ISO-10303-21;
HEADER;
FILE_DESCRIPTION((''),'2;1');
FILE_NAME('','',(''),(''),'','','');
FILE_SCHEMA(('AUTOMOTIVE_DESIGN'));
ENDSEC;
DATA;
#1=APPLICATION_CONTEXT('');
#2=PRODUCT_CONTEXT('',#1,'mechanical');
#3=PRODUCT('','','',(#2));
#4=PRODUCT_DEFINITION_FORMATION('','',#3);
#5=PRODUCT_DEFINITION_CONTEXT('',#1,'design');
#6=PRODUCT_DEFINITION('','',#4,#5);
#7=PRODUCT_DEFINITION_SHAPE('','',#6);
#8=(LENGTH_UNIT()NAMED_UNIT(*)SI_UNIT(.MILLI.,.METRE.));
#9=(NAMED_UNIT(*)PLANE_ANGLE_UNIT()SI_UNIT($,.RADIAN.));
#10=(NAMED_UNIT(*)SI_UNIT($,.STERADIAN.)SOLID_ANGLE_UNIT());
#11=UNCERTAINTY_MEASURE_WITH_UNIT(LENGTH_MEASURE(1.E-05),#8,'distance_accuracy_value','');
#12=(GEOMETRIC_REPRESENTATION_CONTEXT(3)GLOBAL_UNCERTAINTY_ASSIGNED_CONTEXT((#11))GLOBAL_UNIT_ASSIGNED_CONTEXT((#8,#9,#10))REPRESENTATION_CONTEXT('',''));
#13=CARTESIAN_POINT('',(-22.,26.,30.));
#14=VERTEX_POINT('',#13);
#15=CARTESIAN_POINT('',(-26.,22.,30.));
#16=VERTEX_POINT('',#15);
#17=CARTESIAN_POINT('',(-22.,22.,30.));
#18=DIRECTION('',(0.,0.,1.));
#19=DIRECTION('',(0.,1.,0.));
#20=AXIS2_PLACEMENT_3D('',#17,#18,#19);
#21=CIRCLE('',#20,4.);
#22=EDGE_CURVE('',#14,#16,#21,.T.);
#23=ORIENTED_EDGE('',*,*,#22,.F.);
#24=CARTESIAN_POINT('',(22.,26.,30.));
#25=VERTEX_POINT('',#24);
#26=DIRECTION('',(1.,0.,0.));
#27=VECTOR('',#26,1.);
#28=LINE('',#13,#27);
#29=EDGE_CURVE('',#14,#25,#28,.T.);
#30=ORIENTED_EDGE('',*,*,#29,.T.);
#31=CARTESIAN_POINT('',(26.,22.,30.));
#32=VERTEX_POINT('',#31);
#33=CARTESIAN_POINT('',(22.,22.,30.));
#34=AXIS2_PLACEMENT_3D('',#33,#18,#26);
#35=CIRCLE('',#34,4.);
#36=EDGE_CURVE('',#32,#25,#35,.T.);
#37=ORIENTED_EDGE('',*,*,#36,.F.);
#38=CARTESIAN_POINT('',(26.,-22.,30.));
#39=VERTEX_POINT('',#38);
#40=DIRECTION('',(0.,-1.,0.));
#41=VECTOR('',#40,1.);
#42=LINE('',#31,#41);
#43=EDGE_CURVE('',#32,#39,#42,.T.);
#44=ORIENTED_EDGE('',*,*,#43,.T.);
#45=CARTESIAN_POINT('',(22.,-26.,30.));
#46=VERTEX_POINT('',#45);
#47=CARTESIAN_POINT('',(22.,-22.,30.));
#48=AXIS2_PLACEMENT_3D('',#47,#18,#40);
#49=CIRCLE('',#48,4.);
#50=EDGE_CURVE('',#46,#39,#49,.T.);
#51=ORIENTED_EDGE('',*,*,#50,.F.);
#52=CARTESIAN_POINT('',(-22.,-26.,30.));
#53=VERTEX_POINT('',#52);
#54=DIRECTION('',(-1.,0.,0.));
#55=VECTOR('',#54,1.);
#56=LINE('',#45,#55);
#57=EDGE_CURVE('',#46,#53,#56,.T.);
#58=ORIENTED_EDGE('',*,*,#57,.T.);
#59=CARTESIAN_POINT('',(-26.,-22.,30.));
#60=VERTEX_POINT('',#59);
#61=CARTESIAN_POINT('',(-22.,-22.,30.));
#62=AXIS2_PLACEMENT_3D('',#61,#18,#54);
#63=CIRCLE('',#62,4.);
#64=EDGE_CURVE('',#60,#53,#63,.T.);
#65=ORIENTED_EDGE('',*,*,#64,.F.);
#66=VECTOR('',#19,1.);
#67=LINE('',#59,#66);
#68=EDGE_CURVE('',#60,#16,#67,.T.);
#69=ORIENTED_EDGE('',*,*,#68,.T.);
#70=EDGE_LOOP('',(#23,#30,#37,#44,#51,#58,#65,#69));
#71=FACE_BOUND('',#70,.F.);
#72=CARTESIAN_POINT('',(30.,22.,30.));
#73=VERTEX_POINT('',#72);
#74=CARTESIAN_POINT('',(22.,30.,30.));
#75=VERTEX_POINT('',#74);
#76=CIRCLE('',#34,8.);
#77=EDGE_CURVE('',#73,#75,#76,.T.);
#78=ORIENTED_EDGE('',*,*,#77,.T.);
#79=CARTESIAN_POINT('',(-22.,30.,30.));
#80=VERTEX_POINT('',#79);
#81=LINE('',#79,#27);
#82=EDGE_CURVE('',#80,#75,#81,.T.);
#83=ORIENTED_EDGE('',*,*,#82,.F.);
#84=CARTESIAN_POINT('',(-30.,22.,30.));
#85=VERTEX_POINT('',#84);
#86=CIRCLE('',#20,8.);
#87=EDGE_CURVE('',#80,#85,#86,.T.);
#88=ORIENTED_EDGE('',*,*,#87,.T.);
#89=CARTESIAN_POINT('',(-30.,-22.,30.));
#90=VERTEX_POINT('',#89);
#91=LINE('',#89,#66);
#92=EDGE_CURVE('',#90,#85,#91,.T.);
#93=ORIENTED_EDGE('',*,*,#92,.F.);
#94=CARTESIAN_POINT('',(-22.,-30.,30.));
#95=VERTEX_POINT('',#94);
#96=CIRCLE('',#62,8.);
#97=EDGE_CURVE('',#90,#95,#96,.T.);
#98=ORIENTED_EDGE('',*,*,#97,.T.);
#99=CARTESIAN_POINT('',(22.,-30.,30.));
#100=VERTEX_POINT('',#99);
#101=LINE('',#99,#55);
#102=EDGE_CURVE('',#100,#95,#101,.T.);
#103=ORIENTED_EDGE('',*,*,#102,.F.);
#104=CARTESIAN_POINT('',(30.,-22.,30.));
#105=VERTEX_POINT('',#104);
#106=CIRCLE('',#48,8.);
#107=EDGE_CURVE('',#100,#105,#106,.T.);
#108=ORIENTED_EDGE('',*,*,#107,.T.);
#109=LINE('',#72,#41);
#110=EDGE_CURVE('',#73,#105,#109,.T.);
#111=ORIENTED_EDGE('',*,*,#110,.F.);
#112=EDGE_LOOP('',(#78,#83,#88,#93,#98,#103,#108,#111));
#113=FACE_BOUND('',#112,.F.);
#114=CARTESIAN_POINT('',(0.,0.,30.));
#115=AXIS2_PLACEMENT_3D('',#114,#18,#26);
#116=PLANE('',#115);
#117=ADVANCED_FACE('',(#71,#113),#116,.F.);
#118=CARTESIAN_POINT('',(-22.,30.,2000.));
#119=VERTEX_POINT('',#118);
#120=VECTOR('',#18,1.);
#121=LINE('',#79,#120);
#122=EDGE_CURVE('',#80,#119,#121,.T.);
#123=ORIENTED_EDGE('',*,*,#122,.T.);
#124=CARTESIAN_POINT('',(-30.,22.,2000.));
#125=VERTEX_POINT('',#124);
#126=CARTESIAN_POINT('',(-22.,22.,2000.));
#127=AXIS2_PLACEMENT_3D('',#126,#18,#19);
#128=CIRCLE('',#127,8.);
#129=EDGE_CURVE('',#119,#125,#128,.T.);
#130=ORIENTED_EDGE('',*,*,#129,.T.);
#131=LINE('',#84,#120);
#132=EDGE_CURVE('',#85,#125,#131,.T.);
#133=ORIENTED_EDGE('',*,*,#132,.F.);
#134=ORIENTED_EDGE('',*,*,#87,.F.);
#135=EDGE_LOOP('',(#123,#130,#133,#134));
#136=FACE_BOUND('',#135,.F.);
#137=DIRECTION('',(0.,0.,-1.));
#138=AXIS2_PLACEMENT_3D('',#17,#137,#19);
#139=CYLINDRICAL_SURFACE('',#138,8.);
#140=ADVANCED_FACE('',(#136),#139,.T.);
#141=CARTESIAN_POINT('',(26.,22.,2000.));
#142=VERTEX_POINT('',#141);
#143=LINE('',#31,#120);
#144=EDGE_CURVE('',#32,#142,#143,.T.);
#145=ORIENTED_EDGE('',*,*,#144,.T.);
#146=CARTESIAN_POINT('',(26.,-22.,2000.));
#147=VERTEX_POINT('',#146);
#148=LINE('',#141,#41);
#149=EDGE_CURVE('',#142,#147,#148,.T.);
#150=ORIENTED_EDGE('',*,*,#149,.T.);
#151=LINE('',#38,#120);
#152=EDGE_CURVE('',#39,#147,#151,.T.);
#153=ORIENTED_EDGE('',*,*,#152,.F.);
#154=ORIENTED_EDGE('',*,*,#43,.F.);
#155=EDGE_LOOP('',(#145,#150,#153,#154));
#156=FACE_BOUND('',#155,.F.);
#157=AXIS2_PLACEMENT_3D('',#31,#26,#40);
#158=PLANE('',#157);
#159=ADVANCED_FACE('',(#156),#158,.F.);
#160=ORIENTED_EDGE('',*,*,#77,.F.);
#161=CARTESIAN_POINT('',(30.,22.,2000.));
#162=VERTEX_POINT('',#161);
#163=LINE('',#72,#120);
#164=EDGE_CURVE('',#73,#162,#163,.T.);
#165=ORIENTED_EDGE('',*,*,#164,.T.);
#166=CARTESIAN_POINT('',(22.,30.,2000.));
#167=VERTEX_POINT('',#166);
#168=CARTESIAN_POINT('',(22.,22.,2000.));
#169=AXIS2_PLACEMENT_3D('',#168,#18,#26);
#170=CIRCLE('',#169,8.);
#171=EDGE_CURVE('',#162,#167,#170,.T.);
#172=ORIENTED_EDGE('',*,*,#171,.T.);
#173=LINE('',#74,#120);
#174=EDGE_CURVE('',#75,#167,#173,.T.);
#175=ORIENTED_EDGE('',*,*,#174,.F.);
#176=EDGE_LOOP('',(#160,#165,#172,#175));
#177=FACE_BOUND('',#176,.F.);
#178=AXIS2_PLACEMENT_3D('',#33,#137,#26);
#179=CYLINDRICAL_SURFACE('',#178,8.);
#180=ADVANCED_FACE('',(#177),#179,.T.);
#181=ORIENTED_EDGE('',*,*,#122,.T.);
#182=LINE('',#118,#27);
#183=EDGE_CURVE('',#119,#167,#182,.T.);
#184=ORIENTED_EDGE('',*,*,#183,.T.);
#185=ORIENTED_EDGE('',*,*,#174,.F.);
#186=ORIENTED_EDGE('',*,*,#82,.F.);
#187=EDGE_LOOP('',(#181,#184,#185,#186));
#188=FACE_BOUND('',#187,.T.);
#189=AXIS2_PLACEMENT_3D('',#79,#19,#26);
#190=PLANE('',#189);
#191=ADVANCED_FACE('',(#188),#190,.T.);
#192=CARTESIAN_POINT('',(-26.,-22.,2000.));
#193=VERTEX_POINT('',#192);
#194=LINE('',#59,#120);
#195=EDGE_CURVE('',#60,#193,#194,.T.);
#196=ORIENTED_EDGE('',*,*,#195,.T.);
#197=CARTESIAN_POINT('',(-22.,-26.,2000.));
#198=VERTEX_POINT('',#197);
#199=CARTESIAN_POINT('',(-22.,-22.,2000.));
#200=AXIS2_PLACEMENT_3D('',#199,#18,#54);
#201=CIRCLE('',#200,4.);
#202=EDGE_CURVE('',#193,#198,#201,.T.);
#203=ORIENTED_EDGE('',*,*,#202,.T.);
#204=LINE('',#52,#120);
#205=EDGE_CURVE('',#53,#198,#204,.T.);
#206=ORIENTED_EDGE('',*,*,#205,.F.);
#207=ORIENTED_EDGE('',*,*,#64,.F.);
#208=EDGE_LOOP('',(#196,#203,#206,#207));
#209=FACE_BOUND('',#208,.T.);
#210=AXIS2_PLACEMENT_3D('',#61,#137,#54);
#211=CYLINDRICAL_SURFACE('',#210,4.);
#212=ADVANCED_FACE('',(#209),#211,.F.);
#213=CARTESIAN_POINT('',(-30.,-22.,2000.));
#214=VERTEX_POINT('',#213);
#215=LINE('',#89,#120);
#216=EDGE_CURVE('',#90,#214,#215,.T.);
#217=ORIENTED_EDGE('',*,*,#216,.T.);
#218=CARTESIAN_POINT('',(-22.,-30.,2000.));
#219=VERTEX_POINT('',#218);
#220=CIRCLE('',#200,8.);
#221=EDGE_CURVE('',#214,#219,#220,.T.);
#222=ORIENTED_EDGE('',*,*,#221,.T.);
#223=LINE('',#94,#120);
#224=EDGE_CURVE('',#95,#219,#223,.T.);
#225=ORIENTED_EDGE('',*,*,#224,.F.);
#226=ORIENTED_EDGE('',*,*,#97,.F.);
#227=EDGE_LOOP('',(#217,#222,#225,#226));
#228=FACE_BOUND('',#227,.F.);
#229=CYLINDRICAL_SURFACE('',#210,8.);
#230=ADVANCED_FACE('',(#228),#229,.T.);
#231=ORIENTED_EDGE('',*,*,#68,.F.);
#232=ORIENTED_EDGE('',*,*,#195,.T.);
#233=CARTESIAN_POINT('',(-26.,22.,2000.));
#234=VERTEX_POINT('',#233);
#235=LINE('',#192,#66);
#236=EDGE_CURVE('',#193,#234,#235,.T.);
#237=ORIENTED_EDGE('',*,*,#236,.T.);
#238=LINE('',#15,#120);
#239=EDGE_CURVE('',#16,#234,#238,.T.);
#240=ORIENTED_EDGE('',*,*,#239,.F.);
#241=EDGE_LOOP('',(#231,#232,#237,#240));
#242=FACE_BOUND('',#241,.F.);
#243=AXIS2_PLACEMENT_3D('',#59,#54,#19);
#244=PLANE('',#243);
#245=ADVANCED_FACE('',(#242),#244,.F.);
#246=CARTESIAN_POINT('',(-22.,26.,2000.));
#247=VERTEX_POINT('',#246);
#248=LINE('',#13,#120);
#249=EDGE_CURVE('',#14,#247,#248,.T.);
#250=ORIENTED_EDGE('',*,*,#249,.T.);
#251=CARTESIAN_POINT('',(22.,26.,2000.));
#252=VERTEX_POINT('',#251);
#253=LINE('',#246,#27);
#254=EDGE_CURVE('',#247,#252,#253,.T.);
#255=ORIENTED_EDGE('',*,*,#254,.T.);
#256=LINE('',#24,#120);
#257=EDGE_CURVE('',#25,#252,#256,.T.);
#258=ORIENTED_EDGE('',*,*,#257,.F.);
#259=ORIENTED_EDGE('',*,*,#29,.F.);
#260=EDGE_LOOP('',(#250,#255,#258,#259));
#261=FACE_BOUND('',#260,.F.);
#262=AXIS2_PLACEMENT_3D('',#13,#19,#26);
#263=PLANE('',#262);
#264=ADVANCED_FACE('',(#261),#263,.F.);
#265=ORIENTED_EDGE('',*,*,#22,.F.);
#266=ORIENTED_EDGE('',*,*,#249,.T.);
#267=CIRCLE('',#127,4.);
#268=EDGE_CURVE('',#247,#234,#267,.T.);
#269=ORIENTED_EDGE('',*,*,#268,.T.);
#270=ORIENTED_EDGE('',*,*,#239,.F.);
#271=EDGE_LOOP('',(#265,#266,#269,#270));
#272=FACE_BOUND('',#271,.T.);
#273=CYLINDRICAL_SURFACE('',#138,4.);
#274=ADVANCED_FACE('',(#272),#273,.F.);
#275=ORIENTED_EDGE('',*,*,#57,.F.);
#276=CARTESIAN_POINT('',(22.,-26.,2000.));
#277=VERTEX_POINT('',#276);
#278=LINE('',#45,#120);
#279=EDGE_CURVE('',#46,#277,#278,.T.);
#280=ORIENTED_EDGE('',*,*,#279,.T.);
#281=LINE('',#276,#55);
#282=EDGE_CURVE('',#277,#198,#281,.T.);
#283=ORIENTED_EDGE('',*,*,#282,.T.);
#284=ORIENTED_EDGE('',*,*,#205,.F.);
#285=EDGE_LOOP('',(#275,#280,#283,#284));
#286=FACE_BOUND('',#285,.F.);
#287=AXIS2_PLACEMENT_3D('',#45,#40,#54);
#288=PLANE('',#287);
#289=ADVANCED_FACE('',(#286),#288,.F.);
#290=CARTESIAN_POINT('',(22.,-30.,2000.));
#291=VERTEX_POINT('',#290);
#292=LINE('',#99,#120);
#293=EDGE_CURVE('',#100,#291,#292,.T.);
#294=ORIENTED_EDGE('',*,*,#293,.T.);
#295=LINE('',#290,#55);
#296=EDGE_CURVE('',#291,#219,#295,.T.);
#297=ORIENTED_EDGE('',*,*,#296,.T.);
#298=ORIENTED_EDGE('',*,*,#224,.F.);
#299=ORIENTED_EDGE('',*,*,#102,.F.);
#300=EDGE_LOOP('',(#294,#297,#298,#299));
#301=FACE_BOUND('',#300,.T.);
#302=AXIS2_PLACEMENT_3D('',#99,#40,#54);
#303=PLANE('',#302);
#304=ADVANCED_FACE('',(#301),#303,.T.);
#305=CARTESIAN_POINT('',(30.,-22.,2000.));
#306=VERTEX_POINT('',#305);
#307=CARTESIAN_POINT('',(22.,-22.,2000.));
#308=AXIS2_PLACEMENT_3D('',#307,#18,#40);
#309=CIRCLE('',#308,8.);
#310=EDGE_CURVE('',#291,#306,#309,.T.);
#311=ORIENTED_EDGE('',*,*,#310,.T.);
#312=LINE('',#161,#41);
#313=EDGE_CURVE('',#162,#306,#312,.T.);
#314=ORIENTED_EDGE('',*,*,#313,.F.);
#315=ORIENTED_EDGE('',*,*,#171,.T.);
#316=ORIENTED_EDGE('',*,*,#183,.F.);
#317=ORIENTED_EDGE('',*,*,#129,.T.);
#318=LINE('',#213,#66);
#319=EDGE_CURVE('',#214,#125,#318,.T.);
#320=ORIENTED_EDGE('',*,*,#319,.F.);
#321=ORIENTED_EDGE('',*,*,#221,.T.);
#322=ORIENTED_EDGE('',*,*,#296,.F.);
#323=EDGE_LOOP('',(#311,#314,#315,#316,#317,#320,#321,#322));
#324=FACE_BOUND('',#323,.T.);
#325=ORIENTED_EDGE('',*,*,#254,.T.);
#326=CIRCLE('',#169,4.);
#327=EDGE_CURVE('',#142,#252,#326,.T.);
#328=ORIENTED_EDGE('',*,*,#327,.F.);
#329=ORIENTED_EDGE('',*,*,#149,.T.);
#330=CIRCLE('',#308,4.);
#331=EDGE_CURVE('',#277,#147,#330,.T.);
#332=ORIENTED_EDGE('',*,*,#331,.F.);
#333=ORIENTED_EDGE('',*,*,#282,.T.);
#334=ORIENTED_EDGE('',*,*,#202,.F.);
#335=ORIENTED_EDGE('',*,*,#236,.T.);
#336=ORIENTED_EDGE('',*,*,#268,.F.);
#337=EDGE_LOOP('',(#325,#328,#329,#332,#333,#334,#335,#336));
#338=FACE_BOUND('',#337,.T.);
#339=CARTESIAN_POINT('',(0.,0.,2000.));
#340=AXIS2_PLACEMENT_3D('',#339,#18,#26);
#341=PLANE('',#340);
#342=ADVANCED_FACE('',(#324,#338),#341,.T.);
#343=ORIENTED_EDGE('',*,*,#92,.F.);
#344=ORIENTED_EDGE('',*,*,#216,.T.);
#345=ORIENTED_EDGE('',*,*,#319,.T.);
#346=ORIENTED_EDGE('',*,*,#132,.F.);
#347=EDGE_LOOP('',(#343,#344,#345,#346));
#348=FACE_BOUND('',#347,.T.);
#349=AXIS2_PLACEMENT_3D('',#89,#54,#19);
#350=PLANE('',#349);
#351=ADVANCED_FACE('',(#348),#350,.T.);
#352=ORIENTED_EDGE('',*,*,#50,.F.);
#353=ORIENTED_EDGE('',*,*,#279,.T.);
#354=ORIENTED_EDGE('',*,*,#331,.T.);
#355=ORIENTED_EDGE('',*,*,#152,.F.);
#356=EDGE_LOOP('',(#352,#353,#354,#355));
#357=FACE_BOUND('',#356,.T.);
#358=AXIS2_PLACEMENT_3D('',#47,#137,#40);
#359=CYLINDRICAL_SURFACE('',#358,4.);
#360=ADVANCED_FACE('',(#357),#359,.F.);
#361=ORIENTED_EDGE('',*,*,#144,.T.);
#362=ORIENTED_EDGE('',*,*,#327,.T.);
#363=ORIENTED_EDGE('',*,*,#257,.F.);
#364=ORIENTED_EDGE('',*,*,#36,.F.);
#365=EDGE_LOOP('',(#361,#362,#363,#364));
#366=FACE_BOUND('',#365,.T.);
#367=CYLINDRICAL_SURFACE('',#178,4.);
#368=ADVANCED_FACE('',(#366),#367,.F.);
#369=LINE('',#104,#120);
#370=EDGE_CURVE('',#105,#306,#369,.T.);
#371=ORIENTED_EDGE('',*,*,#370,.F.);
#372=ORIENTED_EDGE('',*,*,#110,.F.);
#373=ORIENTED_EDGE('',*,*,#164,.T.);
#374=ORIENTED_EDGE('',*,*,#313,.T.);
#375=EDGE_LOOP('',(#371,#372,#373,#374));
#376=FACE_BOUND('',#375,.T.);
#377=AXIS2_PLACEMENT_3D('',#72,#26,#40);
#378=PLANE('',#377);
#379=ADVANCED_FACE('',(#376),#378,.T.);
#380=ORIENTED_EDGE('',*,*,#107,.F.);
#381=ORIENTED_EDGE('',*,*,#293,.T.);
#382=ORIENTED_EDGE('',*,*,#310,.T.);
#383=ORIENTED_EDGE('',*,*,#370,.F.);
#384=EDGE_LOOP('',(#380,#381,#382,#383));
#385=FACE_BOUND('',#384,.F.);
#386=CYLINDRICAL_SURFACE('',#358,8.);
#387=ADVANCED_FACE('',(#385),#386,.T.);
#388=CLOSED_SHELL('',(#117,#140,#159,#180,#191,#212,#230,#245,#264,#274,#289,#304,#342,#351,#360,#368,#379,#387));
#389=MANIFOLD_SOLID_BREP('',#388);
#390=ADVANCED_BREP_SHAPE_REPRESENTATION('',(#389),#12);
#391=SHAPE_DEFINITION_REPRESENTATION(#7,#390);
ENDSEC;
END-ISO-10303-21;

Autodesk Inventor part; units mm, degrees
ref_plane "Start Plane" through (0, 0, 30) normal (0, 0, 1) x (1, 0, 0)
ref_plane "End Plane" through (0, 0, 2000) normal (0, 0, 1) x (1, 0, 0)
sketch "Sketch" plane through (0, 0, 0) normal (0, 0, 1) x (1, 0, 0)
  line L0 (-30, -22) -> (-30, 22)
  line L1 (-22, 30) -> (22, 30)
  line L2 (30, 22) -> (30, -22)
  line L3 (22, -30) -> (-22, -30)
  arc A0 (-30, -22) -> (-22, -30) centre (-22, -22) ccw
  arc A1 (30, 22) -> (22, 30) centre (22, 22) ccw
  arc A2 (-22, 30) -> (-30, 22) centre (-22, 22) ccw
  arc A3 (22, -30) -> (30, -22) centre (22, -22) ccw
  arc A4 (-22, 26) -> (-26, 22) centre (-22, 22) ccw
  line L4 (-22, 26) -> (22, 26)
  arc A5 (26, 22) -> (22, 26) centre (22, 22) ccw
  line L5 (26, 22) -> (26, -22)
  arc A6 (22, -26) -> (26, -22) centre (22, -22) ccw
  line L6 (22, -26) -> (-22, -26)
  arc A7 (-26, -22) -> (-22, -26) centre (-22, -22) ccw
  line L7 (-26, -22) -> (-26, 22)
  line L8 (0, 44.3196) -> (0, -44.3196) construction
  line L9 (-44.3196, 0) -> (44.3196, 0) construction
  dimension "d7" = 8
  dimension "d9" = 60
  dimension "d11" = 60
  dimension "d12" = 4
  dimension "d15" = 30
  dimension "d16" = 30
extrude "Body" add sketch "Sketch" along normal up to surface (1970 mm away) from surface at 30
sketch "Sketch3" plane through (0, 0, 0) normal (0, 0, 1) x (1, 0, 0)
  line L0 (0, 0) -> (10, 0)
ref_plane "Work Plane3" through (0, 0, 0) normal (0, -1, 0) x (1, 0, 0)
ref_plane "Work Plane4" through (-5250, -22, 30) normal (0, 0, -1) x (-1, 0, 0)
split "Split1" plane through (-5250, -22, 30) removes the side toward (0, 0, -1)
sketch "Sketch4" plane through (0, 0, 0) normal (0, -1, 0) x (1, 0, 0)
  line L0 (-2, 30) -> (12, 30) projected
  line L1 (-2, 2000) -> (12, 2000) projected
  dimension "d18" = 1970
equation "\"d7\" = G_IR"
equation "\"d9\" = G_W"
equation "\"d11\" = G_H"
equation "\"d12\" = G_T"
equation "\"d15\" = 0.5 * d9"
equation "\"d16\" = 0.5 * d11"
equation "\"d3\" = G_L"
equation "\"G_W\" = 60"
equation "\"G_H\" = 60"
equation "\"G_T\" = 4"
equation "\"G_IR\" = 8"
equation "\"G_L\" = d18"
equation "\"G_OFFSET_END\" = 0"
properties part number "ISO 10799-2 - 60x60x4 - 1970" material "Steel, Mild"
